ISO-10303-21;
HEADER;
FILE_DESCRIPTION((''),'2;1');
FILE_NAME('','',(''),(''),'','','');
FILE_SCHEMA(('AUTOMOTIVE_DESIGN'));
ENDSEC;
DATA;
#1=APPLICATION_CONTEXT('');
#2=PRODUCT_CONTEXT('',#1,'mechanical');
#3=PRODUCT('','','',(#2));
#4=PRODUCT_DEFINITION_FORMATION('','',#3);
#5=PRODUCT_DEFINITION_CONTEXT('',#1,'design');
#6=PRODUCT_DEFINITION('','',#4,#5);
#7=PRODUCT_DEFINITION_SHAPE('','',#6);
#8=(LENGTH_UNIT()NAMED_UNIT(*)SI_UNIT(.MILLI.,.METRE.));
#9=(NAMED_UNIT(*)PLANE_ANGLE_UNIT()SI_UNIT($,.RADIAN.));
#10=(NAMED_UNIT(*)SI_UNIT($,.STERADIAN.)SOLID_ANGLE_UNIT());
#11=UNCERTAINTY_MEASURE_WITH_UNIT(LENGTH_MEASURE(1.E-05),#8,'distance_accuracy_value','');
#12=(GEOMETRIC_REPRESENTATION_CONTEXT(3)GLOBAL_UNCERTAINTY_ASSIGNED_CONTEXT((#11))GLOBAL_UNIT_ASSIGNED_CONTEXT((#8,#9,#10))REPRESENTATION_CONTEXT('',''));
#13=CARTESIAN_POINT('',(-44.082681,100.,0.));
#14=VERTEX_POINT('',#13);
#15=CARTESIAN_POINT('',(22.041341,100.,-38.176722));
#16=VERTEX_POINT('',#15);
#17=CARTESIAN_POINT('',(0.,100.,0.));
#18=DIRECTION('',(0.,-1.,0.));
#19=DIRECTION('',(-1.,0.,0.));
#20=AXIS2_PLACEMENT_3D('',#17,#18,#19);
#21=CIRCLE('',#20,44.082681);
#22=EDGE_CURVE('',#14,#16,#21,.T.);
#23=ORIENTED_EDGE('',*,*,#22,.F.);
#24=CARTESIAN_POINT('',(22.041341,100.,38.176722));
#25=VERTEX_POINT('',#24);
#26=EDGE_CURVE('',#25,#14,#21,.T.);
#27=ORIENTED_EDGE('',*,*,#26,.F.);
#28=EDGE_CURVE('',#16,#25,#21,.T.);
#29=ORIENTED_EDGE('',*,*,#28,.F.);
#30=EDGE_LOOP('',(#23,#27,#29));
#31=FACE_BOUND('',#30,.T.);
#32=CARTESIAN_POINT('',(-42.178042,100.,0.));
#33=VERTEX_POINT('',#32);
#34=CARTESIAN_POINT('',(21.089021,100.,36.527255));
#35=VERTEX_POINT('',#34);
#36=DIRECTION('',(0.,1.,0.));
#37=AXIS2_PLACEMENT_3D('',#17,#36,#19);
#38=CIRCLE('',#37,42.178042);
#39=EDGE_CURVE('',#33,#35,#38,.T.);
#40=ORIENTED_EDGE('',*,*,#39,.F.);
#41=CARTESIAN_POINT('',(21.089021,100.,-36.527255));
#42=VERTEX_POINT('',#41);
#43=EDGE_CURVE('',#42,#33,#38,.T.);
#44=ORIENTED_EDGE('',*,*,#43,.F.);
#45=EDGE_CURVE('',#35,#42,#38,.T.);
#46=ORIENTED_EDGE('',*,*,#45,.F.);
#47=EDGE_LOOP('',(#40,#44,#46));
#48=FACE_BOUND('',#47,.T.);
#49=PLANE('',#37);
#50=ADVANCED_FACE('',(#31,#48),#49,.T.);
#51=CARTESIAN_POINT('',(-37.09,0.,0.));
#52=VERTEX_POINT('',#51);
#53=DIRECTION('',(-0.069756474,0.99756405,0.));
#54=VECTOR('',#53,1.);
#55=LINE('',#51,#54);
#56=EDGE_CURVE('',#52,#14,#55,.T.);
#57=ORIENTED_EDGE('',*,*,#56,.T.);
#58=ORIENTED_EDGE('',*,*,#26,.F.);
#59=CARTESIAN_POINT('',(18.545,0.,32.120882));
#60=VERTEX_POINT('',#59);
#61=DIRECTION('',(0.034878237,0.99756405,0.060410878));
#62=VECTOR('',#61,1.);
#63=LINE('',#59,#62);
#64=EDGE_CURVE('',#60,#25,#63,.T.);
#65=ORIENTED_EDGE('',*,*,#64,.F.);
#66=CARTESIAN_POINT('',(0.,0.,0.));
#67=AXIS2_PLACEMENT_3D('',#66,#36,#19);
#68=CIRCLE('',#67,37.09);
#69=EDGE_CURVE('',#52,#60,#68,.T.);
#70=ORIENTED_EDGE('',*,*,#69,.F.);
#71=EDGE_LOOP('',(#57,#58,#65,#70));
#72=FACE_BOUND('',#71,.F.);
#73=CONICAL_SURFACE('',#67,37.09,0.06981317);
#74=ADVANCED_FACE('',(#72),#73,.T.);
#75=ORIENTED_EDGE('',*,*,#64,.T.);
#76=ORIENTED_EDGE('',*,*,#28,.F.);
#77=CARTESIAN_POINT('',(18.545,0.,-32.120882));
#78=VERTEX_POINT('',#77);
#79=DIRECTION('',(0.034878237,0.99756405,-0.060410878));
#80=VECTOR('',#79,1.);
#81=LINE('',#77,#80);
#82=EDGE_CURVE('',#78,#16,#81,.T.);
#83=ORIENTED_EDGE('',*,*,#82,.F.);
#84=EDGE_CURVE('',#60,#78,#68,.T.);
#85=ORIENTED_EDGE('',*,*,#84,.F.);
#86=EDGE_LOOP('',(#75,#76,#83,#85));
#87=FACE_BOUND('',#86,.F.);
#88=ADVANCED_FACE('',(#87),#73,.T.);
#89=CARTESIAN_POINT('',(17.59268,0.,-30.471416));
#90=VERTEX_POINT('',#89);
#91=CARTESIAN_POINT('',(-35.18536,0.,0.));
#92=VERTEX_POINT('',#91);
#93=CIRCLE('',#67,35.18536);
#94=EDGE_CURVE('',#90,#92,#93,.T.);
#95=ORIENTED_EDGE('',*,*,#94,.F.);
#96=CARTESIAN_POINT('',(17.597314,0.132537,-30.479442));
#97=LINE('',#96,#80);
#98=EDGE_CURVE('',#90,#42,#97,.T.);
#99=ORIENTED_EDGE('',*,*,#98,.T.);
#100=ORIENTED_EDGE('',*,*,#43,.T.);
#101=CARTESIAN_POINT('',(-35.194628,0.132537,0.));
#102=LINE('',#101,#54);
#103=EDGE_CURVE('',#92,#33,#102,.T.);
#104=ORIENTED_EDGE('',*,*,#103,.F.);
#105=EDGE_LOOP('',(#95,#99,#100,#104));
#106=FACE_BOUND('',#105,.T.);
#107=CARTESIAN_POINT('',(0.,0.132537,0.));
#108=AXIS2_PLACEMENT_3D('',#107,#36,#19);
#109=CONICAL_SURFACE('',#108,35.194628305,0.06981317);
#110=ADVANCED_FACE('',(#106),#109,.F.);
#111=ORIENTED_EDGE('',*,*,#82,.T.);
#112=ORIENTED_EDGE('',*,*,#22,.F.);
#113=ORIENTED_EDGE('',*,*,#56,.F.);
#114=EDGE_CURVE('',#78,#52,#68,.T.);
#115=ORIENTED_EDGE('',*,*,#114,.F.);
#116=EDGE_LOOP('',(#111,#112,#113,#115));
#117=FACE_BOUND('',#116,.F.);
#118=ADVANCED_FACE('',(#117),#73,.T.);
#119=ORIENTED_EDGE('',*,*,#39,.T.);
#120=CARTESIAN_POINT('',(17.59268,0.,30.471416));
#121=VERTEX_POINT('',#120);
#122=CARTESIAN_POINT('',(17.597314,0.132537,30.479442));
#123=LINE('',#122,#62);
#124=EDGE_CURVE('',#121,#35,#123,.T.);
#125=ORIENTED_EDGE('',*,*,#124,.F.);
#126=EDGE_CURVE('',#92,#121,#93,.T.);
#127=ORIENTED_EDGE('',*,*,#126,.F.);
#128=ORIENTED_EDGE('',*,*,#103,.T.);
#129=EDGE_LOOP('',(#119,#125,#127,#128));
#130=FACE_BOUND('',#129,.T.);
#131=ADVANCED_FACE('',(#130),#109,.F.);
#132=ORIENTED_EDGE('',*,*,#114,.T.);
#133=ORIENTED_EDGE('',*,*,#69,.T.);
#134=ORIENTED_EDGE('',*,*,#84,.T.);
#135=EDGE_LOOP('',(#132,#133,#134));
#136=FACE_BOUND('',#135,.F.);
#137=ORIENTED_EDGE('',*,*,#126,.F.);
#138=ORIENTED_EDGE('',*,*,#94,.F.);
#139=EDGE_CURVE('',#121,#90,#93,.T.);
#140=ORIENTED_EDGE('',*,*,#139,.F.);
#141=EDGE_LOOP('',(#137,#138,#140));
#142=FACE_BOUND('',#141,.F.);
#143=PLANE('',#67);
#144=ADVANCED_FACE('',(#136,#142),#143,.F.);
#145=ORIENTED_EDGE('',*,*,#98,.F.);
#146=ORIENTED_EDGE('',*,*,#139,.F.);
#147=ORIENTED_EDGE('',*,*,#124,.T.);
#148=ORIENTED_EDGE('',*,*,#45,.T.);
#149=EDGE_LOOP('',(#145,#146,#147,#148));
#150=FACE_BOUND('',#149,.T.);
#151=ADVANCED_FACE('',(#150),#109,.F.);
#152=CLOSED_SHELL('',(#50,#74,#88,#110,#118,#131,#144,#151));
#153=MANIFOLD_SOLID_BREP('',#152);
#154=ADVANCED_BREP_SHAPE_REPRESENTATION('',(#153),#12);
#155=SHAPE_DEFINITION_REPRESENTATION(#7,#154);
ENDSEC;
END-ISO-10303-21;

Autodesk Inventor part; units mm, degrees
ref_plane "YZ Plane" through (0, 0, 0) normal (1, 0, 0) x (0, 1, 0)
ref_plane "XZ Plane" through (0, 0, 0) normal (0, 1, 0) x (-1, 0, 0)
ref_plane "XY Plane" through (0, 0, 0) normal (0, 0, 1) x (1, 0, 0)
sketch "Sketch1" plane through (0, 0, 0) normal (0, 1, 0) x (-1, 0, 0)
  circle A0 centre (0, 0) radius 37.09
  dimension "d0" = 74.18
extrude "Extrusion1" add sketch "Sketch1" along normal blind 100 draft 4
shell "Shell1" thickness 1.9 removed faces 2 at (-10.3637, 0, 10.707) at (6.7604, 100, 10.9199)
properties part number "F"
